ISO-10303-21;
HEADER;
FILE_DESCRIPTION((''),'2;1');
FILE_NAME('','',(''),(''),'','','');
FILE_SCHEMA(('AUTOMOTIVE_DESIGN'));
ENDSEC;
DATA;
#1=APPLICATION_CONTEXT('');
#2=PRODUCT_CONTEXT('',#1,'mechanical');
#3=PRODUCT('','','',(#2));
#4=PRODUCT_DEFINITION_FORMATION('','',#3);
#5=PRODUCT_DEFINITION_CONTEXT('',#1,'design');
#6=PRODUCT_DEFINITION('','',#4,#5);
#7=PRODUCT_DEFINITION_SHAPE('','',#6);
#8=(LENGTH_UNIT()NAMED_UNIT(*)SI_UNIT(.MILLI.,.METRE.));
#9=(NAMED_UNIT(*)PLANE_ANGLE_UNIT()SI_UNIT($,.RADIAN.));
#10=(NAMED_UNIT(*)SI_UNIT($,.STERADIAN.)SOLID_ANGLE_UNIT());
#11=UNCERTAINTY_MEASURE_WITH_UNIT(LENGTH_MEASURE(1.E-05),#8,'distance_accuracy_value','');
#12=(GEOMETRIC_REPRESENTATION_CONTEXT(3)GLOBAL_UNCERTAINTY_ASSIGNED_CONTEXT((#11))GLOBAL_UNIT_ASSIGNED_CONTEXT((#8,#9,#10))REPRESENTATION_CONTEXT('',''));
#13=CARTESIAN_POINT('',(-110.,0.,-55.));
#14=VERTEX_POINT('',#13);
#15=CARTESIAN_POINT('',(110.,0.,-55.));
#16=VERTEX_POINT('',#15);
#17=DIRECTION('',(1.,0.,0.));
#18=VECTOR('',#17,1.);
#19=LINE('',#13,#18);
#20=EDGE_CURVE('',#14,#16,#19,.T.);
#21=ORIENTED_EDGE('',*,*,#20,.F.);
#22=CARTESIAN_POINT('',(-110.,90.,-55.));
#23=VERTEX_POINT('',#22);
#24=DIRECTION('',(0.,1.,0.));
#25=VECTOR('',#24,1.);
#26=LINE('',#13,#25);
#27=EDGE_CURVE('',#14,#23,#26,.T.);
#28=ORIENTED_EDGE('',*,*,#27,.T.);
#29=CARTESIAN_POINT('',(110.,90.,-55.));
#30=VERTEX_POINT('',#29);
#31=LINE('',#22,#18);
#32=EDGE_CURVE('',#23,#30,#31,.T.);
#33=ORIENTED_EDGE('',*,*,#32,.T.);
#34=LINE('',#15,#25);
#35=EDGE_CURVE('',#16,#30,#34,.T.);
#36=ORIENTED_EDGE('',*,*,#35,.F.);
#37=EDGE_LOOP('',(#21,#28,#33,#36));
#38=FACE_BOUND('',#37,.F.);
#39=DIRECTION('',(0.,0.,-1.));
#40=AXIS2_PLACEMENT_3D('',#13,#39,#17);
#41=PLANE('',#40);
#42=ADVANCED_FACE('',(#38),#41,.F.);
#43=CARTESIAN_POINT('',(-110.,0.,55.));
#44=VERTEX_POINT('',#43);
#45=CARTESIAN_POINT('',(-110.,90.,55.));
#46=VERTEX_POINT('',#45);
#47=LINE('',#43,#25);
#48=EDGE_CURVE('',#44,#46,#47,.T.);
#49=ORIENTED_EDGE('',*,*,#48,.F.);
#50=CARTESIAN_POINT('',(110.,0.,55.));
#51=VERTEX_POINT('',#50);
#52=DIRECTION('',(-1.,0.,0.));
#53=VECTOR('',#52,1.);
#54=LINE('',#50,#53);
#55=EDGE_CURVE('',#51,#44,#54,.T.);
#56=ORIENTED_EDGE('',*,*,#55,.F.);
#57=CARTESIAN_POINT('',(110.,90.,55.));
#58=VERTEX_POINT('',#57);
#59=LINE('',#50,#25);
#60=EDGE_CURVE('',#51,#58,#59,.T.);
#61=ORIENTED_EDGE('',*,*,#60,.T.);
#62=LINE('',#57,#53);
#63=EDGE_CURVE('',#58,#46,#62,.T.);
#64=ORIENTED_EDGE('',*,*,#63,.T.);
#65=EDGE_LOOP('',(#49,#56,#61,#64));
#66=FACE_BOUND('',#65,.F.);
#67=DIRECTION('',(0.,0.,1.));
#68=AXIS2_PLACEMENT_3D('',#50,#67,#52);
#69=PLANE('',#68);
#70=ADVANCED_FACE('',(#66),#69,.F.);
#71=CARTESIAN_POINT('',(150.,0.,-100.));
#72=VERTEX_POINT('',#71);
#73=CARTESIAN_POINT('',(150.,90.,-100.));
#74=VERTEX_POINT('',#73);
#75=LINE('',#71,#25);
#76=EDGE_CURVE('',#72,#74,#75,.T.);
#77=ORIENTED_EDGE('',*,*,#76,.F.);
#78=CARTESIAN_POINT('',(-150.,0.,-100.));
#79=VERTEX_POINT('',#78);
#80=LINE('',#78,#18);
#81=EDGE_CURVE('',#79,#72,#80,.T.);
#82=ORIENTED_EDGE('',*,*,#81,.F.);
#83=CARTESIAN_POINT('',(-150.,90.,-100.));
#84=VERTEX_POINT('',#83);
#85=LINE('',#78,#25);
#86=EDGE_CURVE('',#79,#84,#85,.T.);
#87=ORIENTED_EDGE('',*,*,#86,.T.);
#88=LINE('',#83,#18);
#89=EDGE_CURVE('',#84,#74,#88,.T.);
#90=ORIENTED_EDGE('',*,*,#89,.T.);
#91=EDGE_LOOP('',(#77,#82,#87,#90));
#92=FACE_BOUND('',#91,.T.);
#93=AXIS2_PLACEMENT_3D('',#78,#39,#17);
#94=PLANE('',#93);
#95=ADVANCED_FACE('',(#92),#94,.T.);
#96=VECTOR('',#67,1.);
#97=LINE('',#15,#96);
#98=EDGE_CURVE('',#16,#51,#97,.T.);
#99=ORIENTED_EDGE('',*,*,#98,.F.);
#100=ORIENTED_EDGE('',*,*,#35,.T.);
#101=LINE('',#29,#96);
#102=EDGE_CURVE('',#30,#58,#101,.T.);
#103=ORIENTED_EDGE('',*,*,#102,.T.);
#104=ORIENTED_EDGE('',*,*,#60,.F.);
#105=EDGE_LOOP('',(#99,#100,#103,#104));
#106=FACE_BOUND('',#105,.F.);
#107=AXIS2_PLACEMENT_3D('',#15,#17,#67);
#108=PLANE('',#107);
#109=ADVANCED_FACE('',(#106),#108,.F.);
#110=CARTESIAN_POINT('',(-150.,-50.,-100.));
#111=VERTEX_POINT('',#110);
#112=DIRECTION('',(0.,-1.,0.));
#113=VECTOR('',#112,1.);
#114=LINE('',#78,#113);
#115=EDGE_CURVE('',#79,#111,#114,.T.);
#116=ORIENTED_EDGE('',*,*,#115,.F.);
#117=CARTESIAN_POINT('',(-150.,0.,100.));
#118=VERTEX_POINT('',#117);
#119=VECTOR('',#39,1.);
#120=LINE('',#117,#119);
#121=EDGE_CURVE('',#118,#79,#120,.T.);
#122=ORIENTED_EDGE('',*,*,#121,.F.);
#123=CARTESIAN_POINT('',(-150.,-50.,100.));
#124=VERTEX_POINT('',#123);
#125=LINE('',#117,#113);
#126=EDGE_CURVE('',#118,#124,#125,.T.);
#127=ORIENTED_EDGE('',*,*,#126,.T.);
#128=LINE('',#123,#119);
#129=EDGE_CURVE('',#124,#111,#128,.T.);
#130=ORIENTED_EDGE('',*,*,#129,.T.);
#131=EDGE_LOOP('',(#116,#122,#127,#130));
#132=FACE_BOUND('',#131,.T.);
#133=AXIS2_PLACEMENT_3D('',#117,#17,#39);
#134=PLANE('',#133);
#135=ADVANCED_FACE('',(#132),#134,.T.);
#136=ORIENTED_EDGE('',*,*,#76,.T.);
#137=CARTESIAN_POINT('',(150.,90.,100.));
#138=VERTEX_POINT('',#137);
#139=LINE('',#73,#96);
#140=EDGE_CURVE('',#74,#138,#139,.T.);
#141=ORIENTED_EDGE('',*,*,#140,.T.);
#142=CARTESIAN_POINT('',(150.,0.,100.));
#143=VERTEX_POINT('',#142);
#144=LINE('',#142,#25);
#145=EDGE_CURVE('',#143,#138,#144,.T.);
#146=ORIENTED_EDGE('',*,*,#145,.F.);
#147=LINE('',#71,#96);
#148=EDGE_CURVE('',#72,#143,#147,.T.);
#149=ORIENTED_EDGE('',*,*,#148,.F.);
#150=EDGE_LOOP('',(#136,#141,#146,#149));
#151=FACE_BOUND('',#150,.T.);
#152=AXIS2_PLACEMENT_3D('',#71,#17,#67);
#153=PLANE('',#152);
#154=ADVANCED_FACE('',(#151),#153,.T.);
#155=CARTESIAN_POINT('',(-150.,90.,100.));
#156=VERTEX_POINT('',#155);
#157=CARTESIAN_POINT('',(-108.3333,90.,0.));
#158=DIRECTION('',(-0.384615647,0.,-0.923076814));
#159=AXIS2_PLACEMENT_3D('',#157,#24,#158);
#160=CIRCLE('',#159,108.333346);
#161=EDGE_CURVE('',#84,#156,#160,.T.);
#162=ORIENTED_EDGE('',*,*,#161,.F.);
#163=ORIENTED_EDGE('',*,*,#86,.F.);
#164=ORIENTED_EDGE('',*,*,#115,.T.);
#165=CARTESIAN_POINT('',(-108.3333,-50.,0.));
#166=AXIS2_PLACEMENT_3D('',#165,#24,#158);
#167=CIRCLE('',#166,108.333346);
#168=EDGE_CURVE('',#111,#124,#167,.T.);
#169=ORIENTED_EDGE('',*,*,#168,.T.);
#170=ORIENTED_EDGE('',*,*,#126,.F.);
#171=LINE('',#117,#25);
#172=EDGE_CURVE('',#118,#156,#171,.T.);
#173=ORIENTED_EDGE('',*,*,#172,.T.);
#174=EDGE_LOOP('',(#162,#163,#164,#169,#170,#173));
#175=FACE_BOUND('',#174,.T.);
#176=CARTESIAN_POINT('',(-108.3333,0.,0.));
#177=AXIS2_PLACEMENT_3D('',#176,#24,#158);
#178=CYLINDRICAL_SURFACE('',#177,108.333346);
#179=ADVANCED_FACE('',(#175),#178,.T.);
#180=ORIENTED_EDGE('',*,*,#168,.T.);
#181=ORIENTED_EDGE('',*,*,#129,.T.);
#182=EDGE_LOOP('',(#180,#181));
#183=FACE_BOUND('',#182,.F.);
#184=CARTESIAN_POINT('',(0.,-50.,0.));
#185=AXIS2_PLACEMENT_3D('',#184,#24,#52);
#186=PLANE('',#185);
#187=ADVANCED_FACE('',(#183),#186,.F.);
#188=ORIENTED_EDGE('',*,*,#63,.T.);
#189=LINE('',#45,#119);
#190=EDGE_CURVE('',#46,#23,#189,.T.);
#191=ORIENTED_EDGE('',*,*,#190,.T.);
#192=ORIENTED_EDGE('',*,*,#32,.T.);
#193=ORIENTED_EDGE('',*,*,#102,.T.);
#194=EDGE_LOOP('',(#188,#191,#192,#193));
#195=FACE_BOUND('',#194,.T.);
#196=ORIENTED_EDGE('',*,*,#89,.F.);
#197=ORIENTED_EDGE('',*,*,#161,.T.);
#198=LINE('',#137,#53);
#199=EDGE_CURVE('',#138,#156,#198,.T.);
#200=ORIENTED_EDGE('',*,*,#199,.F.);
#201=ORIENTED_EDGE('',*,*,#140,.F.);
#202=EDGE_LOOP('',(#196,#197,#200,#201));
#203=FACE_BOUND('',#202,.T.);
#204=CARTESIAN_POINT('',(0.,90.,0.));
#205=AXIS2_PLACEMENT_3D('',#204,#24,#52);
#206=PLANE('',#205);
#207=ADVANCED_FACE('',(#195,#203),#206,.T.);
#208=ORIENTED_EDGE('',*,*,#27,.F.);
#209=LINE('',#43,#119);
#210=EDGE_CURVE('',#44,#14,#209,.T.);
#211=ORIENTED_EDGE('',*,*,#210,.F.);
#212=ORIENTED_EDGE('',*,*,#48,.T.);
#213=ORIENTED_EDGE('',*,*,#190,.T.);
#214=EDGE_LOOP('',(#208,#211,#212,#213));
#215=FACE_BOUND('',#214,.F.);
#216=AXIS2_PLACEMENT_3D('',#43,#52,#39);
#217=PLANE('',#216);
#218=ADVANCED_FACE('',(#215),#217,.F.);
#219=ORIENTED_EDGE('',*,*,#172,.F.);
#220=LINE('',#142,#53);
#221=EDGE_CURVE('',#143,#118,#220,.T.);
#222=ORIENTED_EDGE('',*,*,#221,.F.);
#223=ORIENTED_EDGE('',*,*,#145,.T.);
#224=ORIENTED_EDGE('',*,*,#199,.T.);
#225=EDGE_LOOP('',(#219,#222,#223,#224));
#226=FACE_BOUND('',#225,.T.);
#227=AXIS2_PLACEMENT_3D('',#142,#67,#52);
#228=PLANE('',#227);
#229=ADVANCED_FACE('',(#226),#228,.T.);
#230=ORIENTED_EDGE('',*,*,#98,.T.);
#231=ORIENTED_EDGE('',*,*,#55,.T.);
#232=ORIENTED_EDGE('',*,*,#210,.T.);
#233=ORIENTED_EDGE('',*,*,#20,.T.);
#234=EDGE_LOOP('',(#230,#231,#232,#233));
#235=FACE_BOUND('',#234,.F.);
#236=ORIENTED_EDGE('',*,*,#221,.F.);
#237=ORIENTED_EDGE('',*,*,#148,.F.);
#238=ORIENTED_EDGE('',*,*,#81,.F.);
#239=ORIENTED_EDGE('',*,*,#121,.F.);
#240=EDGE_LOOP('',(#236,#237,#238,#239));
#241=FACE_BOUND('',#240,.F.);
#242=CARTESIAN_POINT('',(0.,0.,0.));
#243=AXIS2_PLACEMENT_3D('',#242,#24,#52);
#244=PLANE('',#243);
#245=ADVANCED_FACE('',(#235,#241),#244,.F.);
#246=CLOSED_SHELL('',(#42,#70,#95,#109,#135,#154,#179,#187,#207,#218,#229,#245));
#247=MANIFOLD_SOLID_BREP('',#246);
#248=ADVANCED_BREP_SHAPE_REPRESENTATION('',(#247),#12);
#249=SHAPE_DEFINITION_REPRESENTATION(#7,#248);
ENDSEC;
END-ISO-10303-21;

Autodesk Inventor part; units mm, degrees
ref_plane "YZ Plane" through (0, 0, 0) normal (1, 0, 0) x (0, 1, 0)
ref_plane "XZ Plane" through (0, 0, 0) normal (0, 1, 0) x (-1, 0, 0)
ref_plane "XY Plane" through (0, 0, 0) normal (0, 0, 1) x (1, 0, 0)
sketch "Sketch1" plane through (0, 0, 0) normal (0, 1, 0) x (-1, 0, 0)
  line L0 (-110, 55) -> (110, 55)
  line L1 (110, 55) -> (110, -55)
  line L2 (110, -55) -> (-110, -55)
  line L3 (-110, -55) -> (-110, 55)
  line L4 (-110, 55) -> (110, -55) construction
  line L5 (110, 55) -> (-110, -55) construction
  line L6 (-150, 100) -> (150, 100)
  line L7 (150, 100) -> (150, -100)
  line L8 (150, -100) -> (-150, -100)
  line L9 (-150, -100) -> (-150, 100)
  line L10 (-150, 100) -> (150, -100) construction
  line L11 (150, 100) -> (-150, -100) construction
  arc A0 (150, -100) -> (150, 100) centre (108.3333, 0) ccw
  point P0 (0, 0)
  dimension "d0" = 220
  dimension "d1" = 110
  dimension "d2" = 300
  dimension "d3" = 200
extrude "Extrusion1" add sketch "Sketch1" along normal blind 90
extrude "Extrusion2" add sketch "Sketch1" against normal blind 50 contours A0 L7
properties part number "Sensor"
